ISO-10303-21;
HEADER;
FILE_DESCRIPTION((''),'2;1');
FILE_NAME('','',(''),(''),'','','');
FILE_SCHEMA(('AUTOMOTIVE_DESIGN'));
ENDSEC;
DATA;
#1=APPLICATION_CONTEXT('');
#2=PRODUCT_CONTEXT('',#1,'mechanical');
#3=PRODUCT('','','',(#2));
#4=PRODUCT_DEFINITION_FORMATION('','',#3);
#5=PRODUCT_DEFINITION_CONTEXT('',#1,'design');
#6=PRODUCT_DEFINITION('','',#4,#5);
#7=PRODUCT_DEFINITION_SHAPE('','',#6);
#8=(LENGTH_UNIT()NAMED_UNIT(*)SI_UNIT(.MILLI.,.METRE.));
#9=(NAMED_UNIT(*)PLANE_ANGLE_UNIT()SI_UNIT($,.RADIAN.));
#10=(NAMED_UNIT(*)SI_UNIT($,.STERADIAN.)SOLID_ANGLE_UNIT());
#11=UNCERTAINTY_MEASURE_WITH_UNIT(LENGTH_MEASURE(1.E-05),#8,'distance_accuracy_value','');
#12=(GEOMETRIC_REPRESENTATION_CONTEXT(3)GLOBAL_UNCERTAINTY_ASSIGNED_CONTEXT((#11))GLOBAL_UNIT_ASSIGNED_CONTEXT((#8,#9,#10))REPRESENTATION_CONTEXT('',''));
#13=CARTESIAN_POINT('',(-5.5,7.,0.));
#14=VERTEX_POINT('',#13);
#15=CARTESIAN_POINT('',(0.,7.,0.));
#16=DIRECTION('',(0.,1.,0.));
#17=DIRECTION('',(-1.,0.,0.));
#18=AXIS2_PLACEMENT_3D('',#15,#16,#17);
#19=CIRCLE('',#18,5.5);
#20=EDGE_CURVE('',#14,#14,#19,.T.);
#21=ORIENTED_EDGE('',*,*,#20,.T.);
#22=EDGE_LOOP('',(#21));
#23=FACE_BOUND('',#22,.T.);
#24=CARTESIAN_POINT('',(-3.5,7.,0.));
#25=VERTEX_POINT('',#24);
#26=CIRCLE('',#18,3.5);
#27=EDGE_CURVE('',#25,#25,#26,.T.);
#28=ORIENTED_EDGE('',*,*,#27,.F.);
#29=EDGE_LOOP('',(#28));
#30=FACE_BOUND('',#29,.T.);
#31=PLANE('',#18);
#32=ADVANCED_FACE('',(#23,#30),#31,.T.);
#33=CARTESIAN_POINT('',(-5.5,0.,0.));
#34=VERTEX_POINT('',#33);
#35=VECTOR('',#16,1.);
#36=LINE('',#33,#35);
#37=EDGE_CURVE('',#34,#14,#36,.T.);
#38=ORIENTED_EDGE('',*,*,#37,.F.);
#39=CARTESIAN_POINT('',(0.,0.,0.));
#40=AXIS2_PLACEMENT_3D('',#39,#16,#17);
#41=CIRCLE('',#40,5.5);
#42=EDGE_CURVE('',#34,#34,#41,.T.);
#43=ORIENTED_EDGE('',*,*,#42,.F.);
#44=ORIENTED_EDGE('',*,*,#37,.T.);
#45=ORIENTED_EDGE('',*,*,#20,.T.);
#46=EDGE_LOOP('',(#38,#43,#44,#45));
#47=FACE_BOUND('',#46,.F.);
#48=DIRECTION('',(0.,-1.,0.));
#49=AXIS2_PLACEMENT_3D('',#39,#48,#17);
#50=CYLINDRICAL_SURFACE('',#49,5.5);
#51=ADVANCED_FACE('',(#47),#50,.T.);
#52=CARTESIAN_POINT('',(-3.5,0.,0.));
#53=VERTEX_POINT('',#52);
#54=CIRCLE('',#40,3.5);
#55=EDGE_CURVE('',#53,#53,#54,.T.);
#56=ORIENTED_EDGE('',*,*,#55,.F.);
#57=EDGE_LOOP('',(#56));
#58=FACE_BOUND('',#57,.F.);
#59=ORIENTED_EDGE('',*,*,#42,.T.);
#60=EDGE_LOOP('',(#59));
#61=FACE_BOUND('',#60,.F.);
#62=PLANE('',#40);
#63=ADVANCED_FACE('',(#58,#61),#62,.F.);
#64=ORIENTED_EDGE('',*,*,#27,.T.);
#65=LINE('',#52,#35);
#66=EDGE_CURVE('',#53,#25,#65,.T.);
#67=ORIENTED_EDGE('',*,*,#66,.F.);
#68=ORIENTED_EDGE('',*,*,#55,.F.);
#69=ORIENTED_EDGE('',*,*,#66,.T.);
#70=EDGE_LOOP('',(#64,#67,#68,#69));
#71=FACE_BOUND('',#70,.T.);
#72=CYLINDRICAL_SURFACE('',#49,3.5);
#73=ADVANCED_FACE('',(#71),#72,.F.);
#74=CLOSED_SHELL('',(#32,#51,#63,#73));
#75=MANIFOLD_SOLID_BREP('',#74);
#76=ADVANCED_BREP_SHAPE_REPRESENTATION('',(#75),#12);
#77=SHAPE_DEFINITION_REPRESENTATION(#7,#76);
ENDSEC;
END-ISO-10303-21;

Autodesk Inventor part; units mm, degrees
ref_plane "YZ Plane" through (0, 0, 0) normal (1, 0, 0) x (0, 1, 0)
ref_plane "XZ Plane" through (0, 0, 0) normal (0, 1, 0) x (-1, 0, 0)
ref_plane "XY Plane" through (0, 0, 0) normal (0, 0, 1) x (1, 0, 0)
sketch "スケッチ1" plane through (0, 0, 0) normal (0, 1, 0) x (-1, 0, 0)
  circle A0 centre (0, 0) radius 5.5
  circle A1 centre (0, 0) radius 3.5
  dimension "d0" = 11
  dimension "d1" = 7
extrude "押し出し1" add sketch "スケッチ1" along normal blind 7
properties part number "付け根_サブフレーム_7_1"
